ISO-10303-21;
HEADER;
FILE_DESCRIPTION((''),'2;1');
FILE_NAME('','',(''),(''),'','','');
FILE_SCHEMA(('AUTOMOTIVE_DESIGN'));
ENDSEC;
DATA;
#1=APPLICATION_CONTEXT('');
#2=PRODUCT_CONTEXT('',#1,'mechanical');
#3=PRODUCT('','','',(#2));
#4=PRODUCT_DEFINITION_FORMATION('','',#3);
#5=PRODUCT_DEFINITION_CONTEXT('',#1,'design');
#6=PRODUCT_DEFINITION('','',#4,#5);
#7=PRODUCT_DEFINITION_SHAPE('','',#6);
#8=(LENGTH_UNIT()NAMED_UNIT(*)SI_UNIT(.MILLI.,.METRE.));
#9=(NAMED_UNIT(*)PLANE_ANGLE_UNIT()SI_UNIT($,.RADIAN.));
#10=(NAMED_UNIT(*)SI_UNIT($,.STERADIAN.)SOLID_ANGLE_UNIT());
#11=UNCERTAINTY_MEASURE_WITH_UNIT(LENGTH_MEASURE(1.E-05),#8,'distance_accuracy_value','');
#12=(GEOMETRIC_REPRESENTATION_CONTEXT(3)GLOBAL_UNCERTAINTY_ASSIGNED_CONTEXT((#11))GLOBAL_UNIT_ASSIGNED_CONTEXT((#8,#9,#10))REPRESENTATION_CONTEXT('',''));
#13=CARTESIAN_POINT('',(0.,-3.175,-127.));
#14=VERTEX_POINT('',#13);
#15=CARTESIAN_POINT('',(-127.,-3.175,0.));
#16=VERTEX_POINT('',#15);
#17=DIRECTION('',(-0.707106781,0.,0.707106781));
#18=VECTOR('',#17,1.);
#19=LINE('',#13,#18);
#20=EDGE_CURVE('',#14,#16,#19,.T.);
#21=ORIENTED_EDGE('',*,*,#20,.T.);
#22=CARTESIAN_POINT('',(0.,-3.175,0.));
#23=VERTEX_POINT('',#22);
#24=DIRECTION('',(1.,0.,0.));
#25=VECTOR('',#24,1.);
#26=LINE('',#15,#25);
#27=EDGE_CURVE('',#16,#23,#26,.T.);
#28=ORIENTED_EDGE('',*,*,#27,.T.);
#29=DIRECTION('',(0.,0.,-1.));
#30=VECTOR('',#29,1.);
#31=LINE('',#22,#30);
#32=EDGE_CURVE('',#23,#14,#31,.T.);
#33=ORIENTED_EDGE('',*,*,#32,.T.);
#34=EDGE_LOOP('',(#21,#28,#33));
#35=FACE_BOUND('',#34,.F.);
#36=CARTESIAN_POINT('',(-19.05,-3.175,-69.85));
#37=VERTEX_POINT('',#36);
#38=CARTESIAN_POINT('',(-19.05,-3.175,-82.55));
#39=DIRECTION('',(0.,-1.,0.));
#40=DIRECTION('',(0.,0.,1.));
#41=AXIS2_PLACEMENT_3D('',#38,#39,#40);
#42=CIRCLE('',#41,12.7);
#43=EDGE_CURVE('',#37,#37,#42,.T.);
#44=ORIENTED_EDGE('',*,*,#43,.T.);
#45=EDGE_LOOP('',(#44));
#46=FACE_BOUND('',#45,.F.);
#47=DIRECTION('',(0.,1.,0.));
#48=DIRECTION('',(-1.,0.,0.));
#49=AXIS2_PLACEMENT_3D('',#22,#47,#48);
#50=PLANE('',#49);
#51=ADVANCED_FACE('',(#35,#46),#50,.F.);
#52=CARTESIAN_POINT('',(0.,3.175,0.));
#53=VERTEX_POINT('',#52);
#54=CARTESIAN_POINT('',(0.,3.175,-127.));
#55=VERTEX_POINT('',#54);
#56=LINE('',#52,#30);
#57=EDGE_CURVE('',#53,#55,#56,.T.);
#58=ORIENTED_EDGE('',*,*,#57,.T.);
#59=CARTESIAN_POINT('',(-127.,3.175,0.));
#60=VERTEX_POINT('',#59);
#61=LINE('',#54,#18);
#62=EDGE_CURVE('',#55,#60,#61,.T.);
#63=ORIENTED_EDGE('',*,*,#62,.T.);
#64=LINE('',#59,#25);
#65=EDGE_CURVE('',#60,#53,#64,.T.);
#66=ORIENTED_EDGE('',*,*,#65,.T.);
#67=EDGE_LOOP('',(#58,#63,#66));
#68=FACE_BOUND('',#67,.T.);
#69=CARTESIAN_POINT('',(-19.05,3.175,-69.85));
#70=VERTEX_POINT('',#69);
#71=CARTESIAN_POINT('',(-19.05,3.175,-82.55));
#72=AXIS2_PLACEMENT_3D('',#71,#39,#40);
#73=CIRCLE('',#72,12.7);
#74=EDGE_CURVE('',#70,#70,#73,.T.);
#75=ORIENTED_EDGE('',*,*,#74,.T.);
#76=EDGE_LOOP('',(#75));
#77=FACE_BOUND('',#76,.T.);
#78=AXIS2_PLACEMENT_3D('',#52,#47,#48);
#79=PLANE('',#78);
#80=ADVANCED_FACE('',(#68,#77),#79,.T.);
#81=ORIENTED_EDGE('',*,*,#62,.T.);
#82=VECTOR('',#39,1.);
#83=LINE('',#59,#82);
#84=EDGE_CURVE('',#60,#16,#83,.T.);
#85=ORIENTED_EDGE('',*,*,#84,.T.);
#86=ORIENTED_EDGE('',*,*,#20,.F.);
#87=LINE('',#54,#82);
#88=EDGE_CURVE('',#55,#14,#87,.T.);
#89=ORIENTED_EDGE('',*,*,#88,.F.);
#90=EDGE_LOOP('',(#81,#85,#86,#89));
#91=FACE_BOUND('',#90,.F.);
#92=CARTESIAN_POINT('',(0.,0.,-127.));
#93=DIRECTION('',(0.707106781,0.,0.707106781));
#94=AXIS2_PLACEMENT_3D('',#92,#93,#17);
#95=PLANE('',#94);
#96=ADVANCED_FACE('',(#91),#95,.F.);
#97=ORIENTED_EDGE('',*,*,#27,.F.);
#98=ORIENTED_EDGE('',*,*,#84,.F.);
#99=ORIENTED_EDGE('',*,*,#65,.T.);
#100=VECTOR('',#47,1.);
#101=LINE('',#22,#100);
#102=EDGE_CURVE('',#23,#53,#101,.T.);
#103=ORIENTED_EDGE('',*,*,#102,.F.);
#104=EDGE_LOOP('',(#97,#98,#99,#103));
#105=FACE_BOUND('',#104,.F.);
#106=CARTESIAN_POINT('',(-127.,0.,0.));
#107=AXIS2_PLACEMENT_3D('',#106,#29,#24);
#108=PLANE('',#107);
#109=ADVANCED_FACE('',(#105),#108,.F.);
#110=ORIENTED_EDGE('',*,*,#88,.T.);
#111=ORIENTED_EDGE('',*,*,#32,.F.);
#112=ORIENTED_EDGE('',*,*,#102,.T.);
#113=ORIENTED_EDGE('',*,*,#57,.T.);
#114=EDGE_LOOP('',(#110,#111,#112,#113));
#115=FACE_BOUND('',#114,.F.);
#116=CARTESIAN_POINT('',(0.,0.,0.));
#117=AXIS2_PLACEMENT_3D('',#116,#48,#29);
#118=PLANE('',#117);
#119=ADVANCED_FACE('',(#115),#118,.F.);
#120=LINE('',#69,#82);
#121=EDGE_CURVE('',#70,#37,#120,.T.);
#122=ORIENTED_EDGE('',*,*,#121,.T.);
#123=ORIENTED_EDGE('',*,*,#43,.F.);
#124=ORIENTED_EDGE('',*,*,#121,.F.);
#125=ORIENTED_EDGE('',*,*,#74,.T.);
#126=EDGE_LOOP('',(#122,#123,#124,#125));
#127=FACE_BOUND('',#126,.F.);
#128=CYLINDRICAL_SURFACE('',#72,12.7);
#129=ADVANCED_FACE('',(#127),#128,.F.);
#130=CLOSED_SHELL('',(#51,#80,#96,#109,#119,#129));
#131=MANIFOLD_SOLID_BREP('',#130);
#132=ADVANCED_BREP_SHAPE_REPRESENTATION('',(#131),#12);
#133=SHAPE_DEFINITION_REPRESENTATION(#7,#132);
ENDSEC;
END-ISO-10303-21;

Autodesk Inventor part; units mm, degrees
ref_plane "YZ Plane" through (0, 0, 0) normal (1, 0, 0) x (0, 1, 0)
ref_plane "XZ Plane" through (0, 0, 0) normal (0, 1, 0) x (-1, 0, 0)
ref_plane "XY Plane" through (0, 0, 0) normal (0, 0, 1) x (1, 0, 0)
sketch "Sketch1" plane through (0, 0, 0) normal (0, 1, 0) x (-1, 0, 0)
  line L0 (0, 0) -> (0, -127)
  line L1 (0, -127) -> (127, 0)
  line L2 (127, 0) -> (0, 0)
  dimension "d0" = 127
  dimension "d1" = 45
extrude "Extrusion1" add sketch "Sketch1" along normal mid plane 6.35
sketch "Sketch2" plane through (0, 3.175, 0) normal (0, 1, 0) x (1, 0, 0)
  line L0 (0, 0) -> (0, 127) projected
  line L1 (-23.8592, 127) -> (-22.225, 127) projected
  point P0 (-19.05, 82.55)
  dimension "d9" = 19.05
  dimension "d21" = 44.45
hole "Hole1" at (-19.05, 3.175, -82.55) direction (0, -1, 0) diameter 25.4 end through all
equation "\"d5\" = wallWidth"
equation "\"wallWidth\" = 6.35"
properties part number "triangleSupportForMount" material "PET Plastic"
